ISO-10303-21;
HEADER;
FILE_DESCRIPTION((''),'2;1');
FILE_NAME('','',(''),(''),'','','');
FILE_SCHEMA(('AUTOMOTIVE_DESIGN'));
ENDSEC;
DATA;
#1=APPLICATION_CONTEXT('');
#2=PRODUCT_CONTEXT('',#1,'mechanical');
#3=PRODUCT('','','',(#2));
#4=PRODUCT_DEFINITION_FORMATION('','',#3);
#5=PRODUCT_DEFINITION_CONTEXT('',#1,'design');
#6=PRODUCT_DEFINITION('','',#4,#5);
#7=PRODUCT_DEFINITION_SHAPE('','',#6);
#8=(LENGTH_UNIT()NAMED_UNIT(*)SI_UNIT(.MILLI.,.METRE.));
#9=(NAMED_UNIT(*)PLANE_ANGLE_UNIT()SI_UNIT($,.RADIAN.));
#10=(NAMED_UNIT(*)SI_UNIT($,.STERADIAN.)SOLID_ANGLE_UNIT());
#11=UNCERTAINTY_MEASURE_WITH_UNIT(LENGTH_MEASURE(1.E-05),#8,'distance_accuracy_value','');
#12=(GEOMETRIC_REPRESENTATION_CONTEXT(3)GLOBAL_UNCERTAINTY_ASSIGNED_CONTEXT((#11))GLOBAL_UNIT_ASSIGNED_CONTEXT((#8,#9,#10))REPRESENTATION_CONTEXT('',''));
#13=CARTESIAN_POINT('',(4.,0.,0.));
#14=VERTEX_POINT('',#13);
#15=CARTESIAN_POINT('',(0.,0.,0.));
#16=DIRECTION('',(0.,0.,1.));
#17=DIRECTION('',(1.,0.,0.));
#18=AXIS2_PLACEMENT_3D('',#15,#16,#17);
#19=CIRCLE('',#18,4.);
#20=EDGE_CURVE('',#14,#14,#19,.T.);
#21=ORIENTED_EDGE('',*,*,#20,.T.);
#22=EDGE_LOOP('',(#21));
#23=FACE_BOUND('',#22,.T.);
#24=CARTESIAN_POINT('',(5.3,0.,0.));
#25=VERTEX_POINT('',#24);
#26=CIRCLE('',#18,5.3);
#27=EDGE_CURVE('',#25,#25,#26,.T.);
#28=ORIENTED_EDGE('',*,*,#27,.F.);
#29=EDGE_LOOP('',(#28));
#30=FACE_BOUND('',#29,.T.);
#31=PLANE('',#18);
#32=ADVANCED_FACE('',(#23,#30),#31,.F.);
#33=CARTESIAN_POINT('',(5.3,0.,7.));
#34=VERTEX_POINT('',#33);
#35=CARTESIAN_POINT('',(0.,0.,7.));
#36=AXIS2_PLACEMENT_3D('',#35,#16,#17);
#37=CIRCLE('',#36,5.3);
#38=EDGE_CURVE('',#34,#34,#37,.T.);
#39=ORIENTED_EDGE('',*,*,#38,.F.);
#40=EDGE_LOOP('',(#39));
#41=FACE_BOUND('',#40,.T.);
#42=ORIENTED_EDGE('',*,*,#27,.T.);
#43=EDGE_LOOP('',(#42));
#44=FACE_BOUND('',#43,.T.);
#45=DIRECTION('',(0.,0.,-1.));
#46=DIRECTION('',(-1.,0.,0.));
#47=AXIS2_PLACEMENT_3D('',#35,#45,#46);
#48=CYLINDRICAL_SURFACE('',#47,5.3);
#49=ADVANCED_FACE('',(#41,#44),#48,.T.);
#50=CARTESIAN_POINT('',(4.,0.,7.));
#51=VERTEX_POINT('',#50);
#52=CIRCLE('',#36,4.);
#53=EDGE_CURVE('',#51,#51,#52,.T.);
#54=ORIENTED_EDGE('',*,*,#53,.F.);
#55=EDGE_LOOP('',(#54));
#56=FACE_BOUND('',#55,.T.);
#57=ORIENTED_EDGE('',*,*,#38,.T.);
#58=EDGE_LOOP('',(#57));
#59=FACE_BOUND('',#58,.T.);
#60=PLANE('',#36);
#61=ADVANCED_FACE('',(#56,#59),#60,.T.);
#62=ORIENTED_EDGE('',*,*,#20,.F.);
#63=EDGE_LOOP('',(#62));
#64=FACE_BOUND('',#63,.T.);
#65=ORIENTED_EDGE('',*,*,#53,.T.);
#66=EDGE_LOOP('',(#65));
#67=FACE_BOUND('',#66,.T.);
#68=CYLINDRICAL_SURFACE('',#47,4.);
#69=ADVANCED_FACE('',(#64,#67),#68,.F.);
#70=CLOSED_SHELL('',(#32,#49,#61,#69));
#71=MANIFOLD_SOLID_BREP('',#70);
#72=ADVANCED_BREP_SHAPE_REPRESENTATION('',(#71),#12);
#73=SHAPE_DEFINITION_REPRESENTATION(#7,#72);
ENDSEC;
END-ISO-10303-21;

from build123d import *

# Parameters (mm, degrees)
CROQUIS1_R              = 5.3
CROQUIS1_R_2            = 4
SALIENTE_EXTRUIR1_DEPTH = 7


with BuildPart() as part:
    # Croquis1 → Saliente-Extruir1 (new body)
    with BuildSketch(Plane.XY):
        Circle(CROQUIS1_R)
        Circle(CROQUIS1_R_2, mode=Mode.SUBTRACT)
    extrude(amount=SALIENTE_EXTRUIR1_DEPTH)


solid = part.part
